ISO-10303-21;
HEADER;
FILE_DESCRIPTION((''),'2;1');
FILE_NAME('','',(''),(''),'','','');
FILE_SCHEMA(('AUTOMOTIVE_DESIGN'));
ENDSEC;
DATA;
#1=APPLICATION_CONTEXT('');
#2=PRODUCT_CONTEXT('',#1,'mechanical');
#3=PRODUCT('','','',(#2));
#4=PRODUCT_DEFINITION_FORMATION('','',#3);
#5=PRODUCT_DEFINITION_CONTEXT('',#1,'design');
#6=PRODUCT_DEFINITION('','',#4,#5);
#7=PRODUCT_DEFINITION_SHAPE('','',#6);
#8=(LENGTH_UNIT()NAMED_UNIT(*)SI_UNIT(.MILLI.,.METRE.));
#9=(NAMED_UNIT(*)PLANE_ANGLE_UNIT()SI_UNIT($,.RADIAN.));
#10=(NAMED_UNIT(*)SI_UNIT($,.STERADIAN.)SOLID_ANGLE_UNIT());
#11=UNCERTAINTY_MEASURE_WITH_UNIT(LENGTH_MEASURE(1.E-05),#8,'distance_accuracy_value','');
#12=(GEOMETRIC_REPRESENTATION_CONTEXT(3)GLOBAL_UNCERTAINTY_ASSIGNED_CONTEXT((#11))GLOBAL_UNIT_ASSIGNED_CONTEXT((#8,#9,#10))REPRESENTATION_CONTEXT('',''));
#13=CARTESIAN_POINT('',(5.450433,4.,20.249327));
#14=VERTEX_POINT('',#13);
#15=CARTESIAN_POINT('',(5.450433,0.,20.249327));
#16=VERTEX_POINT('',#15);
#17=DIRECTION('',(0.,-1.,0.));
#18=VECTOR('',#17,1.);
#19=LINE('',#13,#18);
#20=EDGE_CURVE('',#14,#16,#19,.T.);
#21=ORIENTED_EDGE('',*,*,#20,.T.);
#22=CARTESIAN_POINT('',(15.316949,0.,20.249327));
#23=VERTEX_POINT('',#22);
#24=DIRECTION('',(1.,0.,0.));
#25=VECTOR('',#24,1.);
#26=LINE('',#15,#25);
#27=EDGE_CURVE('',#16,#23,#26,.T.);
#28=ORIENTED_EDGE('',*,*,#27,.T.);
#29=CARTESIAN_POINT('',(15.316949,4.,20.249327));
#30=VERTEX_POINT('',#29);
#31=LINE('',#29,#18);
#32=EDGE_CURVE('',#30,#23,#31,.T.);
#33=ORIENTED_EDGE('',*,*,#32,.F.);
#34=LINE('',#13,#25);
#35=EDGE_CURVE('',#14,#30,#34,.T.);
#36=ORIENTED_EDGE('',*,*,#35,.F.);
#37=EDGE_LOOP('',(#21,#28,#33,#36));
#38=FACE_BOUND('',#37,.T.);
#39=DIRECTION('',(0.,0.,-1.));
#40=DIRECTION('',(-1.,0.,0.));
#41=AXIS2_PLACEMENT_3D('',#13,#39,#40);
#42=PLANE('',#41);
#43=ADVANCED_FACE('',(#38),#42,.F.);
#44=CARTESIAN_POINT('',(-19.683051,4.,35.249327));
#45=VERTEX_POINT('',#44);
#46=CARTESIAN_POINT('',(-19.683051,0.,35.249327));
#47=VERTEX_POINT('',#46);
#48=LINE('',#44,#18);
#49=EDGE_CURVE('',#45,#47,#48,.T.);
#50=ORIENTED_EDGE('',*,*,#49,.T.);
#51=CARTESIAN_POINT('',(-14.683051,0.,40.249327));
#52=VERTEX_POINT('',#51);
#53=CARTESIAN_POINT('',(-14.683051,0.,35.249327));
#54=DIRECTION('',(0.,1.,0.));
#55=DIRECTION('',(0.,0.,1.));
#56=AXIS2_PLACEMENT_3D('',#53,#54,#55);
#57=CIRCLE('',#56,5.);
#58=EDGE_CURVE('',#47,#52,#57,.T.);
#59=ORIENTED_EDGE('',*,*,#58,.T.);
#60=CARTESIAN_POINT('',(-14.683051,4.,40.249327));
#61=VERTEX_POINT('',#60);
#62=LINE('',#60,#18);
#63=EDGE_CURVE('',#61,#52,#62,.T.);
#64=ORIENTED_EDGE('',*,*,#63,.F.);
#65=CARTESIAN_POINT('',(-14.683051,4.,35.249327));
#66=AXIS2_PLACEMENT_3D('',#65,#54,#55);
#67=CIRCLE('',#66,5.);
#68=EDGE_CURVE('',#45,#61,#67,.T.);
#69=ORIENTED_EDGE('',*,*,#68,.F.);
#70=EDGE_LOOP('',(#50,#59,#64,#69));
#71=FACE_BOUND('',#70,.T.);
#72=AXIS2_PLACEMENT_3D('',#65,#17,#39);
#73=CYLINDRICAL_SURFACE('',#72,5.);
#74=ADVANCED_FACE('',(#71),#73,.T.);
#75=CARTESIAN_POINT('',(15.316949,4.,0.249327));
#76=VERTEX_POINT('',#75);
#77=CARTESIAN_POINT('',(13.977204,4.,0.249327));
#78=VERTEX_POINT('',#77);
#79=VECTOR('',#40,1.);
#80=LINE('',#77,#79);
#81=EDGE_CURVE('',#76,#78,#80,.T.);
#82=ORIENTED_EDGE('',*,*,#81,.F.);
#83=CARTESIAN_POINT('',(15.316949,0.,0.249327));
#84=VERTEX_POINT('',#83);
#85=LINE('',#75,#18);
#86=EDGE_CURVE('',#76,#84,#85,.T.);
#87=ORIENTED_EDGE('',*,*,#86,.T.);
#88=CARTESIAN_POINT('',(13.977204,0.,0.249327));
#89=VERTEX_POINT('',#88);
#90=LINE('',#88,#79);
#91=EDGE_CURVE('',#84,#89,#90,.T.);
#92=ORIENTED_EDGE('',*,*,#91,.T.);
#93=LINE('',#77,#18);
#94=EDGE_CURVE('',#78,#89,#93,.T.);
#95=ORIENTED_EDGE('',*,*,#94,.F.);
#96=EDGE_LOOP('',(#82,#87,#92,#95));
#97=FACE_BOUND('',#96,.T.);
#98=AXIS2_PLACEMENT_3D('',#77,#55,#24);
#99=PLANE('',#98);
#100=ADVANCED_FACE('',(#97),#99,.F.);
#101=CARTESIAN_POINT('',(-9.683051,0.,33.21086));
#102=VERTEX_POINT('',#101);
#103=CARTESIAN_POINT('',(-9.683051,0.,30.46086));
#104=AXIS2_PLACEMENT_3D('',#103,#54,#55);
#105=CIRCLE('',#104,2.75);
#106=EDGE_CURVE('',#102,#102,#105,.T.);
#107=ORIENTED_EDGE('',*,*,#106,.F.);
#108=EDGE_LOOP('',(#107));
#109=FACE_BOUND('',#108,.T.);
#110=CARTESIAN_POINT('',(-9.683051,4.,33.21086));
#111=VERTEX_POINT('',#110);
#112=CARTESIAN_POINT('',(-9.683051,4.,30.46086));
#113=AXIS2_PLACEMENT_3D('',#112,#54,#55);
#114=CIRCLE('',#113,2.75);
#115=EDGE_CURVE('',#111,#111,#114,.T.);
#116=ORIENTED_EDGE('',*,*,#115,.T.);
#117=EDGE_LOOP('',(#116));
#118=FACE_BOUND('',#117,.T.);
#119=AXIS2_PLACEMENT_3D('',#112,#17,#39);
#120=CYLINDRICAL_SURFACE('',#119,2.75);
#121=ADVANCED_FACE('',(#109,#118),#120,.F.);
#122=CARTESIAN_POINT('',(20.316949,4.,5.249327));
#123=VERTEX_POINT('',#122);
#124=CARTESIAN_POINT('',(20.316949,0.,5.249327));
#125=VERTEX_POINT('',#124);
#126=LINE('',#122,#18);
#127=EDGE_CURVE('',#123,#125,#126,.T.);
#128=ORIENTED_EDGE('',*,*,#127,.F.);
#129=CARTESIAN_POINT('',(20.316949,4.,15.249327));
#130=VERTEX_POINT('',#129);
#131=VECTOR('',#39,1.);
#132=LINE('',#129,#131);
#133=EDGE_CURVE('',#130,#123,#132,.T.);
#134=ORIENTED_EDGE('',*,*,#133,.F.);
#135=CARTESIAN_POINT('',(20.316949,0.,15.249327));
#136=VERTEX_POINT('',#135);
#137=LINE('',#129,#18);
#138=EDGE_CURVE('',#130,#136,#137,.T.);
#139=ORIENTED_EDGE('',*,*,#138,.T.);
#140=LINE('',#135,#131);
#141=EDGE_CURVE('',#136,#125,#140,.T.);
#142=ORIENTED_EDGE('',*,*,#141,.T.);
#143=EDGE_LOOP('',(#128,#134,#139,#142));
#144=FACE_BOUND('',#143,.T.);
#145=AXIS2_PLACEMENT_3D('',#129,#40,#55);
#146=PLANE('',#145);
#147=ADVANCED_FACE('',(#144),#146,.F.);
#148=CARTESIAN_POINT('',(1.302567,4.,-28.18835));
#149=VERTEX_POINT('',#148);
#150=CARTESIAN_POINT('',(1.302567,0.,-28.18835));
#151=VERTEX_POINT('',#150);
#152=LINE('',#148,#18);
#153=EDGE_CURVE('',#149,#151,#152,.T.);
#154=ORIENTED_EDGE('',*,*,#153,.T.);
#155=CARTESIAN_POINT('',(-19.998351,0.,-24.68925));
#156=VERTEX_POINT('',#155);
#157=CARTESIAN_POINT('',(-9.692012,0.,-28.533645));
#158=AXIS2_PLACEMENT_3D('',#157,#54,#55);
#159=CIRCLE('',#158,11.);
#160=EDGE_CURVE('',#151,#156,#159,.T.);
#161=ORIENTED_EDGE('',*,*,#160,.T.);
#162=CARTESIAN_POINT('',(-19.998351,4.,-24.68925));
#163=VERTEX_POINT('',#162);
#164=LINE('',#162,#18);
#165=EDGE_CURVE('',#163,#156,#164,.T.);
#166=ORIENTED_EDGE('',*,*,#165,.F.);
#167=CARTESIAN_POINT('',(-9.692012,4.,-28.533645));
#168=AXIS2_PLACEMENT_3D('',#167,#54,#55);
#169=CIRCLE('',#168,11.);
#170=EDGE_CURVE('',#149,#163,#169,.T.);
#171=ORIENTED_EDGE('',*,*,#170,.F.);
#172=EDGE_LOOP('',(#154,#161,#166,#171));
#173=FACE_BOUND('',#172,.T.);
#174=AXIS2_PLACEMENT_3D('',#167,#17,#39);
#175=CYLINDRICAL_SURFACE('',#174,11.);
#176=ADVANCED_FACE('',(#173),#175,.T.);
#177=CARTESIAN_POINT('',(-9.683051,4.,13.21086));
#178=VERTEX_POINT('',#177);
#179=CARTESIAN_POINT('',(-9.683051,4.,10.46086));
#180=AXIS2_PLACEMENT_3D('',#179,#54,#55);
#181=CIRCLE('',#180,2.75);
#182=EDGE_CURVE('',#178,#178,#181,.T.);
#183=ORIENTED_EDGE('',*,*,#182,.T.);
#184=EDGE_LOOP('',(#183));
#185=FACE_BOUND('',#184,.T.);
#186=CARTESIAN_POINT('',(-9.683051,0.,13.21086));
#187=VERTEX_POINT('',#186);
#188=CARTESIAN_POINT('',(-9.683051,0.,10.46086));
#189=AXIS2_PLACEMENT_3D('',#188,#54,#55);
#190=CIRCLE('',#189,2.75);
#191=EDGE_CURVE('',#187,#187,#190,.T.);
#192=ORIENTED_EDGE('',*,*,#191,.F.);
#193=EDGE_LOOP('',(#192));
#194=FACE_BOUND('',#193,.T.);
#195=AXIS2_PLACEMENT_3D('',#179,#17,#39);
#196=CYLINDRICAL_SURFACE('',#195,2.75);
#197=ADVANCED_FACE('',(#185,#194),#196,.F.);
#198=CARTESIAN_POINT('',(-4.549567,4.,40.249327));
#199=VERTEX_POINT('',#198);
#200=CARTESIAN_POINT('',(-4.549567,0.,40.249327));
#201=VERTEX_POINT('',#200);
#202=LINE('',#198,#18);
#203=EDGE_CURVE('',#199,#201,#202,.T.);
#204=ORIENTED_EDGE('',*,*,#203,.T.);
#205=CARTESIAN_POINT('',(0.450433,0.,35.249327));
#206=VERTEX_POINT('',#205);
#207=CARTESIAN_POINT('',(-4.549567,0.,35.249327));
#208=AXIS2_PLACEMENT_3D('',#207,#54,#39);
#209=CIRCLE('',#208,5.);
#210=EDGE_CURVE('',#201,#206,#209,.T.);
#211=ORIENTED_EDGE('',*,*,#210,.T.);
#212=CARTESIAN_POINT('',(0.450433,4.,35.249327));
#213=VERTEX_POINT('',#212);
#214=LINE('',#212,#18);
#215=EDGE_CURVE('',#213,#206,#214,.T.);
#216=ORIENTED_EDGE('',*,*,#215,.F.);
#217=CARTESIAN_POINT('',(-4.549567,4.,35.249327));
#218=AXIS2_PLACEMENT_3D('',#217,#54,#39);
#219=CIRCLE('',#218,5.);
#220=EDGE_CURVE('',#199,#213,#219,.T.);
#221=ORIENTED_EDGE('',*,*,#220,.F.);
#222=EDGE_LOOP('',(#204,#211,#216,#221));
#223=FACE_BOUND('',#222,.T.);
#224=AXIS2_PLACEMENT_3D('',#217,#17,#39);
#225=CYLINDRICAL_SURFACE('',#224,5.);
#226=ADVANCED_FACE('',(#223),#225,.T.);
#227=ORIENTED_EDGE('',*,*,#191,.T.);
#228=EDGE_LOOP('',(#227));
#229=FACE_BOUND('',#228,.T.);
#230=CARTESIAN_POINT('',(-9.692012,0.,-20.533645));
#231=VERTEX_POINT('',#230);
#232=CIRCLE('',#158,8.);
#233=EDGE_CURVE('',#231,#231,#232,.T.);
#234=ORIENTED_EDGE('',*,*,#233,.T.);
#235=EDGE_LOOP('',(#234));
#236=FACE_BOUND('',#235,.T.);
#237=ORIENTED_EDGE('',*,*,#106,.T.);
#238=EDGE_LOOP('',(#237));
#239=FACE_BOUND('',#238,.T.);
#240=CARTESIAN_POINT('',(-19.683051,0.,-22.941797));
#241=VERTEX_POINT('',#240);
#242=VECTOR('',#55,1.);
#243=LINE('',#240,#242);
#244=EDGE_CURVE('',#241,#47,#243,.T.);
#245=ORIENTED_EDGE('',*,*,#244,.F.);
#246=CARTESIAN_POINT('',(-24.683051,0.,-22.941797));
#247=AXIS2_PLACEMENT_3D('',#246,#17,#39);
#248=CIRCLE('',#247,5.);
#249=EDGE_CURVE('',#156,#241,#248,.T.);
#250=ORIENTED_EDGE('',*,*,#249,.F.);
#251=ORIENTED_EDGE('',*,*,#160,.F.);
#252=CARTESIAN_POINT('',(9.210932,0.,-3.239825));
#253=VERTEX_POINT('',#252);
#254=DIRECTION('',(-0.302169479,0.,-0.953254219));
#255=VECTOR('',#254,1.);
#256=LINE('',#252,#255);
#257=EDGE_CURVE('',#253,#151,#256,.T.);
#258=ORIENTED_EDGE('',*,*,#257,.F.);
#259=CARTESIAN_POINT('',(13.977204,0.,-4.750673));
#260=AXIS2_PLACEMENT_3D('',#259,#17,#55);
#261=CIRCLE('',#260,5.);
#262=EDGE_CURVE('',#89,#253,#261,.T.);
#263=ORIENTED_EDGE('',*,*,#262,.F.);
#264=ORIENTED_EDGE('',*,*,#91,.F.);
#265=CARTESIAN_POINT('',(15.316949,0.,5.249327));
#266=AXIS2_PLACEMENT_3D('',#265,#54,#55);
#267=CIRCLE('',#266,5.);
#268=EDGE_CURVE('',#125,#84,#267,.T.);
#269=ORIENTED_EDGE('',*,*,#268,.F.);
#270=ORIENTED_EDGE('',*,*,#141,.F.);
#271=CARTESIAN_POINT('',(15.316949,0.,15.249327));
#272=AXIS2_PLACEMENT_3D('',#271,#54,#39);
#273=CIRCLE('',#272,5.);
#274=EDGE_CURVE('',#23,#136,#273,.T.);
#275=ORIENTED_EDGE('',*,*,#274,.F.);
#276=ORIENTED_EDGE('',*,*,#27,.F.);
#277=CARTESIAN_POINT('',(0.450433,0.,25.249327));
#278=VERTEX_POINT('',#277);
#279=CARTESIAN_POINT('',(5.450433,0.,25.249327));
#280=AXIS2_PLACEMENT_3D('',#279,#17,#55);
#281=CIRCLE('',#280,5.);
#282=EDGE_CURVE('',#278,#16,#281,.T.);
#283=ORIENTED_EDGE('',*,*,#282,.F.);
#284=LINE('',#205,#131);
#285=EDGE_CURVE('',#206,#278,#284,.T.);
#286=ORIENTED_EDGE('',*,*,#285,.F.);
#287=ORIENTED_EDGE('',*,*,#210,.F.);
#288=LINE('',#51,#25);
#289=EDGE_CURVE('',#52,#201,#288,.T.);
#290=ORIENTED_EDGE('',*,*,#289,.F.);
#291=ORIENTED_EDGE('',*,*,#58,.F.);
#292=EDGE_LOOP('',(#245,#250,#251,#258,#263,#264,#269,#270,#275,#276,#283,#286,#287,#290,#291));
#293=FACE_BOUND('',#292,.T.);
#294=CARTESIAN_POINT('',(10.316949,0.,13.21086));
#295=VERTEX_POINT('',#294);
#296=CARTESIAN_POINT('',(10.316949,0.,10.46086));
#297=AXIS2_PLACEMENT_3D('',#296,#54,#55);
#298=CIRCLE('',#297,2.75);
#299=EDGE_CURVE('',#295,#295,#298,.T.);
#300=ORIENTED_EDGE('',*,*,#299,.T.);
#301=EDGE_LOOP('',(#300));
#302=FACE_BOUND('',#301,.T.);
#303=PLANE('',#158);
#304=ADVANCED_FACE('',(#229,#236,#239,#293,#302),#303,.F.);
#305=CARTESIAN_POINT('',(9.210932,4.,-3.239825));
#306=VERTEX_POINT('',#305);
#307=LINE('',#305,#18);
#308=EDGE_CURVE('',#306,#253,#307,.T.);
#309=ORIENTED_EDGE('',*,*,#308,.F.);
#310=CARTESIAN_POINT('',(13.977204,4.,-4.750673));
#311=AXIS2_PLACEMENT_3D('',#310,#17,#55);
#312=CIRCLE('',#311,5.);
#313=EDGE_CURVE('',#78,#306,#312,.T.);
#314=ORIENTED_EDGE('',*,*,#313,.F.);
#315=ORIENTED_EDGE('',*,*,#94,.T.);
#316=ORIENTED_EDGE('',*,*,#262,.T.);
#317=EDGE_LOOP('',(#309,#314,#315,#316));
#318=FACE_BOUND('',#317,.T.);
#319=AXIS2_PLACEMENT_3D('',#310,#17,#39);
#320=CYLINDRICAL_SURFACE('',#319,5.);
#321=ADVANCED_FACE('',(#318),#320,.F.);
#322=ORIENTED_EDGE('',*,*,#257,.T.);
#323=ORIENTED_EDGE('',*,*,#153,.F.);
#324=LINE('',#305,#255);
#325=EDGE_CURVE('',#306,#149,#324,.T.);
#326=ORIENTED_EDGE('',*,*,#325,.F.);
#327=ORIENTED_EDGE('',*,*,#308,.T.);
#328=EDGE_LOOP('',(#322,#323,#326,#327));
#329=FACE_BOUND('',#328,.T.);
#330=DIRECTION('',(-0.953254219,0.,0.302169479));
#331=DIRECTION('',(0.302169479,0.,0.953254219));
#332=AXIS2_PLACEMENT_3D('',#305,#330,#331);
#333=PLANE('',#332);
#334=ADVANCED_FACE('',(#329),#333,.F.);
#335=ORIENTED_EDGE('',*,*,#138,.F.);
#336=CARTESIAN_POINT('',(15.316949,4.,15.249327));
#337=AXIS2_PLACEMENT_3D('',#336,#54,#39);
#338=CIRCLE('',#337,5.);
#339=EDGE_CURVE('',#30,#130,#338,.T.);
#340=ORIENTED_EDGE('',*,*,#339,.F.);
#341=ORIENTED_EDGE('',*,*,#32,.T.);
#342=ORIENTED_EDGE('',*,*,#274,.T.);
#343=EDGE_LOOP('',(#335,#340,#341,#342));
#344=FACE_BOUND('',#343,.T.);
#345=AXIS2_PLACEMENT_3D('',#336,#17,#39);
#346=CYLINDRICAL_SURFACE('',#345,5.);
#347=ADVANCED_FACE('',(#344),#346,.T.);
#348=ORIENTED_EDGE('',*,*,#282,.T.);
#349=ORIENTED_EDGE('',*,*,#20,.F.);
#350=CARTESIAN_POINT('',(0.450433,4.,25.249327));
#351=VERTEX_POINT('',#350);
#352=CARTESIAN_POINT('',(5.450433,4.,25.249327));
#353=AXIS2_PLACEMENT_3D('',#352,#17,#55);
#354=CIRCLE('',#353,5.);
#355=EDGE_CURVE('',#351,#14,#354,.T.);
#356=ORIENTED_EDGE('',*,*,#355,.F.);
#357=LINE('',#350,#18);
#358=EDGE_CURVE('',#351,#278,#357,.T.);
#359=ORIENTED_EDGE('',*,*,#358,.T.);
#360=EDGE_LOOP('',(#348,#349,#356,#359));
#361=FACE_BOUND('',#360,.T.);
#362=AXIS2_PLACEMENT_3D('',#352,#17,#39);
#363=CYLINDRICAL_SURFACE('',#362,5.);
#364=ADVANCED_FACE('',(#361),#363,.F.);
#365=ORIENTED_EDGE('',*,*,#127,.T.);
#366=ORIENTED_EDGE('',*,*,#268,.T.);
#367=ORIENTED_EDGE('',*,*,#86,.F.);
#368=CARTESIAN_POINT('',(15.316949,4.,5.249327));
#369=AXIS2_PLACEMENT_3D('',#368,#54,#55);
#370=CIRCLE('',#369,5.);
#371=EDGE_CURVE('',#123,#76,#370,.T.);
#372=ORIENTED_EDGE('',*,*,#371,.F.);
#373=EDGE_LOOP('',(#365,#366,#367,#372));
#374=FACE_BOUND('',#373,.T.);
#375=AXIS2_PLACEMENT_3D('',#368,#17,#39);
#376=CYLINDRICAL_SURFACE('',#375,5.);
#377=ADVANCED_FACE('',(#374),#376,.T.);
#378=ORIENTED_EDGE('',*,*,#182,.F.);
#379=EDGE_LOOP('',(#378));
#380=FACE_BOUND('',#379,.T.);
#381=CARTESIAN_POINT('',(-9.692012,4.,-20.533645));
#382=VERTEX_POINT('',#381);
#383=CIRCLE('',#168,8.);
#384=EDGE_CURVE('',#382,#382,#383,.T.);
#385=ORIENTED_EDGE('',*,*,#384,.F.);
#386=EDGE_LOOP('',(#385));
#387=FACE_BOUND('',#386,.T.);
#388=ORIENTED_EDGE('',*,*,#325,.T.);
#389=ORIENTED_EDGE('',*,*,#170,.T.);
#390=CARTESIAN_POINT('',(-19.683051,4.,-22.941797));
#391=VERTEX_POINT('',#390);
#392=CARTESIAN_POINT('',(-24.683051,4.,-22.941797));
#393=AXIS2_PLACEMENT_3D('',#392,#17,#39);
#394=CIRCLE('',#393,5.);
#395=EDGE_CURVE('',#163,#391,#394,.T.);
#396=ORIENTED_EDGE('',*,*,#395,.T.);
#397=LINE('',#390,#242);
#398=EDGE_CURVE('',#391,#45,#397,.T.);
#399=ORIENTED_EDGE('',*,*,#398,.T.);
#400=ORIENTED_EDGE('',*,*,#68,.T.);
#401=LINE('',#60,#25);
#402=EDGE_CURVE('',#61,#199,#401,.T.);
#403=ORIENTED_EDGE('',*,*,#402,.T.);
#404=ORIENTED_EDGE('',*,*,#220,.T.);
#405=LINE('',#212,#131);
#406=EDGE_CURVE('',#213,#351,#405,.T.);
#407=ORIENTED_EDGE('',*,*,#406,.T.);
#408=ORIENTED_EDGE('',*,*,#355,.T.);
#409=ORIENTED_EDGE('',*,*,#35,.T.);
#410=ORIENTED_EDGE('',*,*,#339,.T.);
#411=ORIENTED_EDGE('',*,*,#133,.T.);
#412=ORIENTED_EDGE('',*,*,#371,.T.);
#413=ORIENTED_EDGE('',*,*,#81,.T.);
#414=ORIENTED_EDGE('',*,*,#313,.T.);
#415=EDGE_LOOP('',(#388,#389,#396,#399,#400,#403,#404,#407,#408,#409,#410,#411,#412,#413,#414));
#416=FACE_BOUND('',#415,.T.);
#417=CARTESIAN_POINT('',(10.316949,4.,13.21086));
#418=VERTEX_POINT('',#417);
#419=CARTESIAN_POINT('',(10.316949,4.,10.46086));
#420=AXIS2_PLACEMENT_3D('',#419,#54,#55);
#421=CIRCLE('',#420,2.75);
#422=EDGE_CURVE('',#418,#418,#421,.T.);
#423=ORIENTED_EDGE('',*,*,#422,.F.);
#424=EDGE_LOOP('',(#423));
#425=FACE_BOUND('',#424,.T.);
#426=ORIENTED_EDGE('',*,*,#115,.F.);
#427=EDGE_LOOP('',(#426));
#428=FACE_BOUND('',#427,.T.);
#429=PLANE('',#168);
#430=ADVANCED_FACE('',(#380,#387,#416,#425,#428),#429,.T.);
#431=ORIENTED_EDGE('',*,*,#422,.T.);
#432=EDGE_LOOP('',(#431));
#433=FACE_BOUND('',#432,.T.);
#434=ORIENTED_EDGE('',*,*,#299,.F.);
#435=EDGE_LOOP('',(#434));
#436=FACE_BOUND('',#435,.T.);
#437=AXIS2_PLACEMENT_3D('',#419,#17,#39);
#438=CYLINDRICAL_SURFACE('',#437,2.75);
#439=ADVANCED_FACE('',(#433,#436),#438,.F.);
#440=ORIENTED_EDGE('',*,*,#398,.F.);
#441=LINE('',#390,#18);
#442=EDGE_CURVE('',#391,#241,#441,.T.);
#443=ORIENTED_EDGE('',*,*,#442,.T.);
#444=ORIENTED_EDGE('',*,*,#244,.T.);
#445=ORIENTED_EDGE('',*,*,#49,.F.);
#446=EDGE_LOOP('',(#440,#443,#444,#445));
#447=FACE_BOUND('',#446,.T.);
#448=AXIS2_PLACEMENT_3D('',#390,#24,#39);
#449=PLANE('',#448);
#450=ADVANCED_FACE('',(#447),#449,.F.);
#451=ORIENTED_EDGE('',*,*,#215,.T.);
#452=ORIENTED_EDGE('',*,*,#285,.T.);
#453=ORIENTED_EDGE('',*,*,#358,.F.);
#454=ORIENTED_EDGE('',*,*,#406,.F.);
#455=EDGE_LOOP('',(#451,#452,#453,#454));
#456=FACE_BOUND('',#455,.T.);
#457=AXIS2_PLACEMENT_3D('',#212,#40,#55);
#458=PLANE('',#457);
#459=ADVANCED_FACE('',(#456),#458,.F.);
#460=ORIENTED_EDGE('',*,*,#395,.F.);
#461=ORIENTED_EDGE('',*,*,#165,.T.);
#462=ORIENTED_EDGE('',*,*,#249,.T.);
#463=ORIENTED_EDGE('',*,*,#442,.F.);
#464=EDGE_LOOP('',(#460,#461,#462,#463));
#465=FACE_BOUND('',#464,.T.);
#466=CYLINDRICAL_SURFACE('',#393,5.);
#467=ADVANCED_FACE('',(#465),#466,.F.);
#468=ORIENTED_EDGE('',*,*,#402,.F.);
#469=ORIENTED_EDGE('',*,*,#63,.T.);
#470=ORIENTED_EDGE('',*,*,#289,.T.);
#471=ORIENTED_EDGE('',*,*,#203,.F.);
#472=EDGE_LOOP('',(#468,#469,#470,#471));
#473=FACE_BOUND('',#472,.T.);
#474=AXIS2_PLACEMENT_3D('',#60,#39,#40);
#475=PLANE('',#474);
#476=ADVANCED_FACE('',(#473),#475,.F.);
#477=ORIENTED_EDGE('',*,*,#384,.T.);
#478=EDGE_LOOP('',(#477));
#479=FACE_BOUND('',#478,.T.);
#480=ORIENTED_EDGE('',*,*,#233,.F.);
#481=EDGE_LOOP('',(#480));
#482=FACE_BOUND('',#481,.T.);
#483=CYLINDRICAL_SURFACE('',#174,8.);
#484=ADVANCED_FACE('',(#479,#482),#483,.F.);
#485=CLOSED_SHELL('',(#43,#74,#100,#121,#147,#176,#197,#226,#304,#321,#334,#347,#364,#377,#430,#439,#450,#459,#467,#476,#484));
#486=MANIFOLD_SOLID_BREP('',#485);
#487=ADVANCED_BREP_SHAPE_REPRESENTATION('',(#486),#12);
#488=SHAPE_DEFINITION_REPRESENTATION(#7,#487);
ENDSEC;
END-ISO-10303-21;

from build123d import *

# Parameters (mm, degrees)
CROQUIS1_R              = 2.75
CROQUIS1_R_2            = 8
SALIENTE_EXTRUIR1_DEPTH = 4


with BuildPart() as part:
    # Croquis1 → Saliente-Extruir1 (new body)
    with BuildSketch(Plane(origin=(0, 0, 0), x_dir=(1, 0, 0), z_dir=(0, 1, 0))):
        with BuildLine():
            Line((-19.683050508, 22.941797025), (-19.683050508, -35.249327106))
            ThreePointArc((-19.683050508, -35.249327106), (-18.218584414, -38.784861012), (-14.683050508, -40.249327106))
            Line((-14.683050508, -40.249327106), (-4.549566926, -40.249327106))
            ThreePointArc((-4.549566926, -40.249327106), (-1.01403302, -38.784861012), (0.450433074, -35.249327106))
            Line((0.450433074, -35.249327106), (0.450433074, -25.249327106))
            ThreePointArc((0.450433074, -25.249327106), (1.914899168, -21.7137932), (5.450433074, -20.249327106))
            Line((5.450433074, -20.249327106), (15.316949492, -20.249327106))
            ThreePointArc((15.316949492, -20.249327106), (18.852483398, -18.784861012), (20.316949492, -15.249327106))
            Line((20.316949492, -15.249327106), (20.316949492, -5.249327106))
            ThreePointArc((20.316949492, -5.249327106), (18.852483398, -1.7137932), (15.316949492, -0.249327106))
            Line((15.316949492, -0.249327106), (13.97720353, -0.249327106))
            ThreePointArc((13.97720353, -0.249327106), (11.023751057, 0.716181787), (9.210932436, 3.239825498))
            Line((9.210932436, 3.239825498), (1.302567045, 28.188350052))
            ThreePointArc((1.302567045, 28.188350052), (-11.475083798, 39.388167744), (-19.998351013, 24.689249641))
            ThreePointArc((-19.998351013, 24.689249641), (-19.762506967, 23.82963218), (-19.683050508, 22.941797025))
        make_face()
        with Locations(Location((10.316949492, -10.460860181, 0), (0, 0, 270))):
            Circle(CROQUIS1_R, mode=Mode.SUBTRACT)
        with Locations(Location((-9.683050508, -10.460860181, 0), (0, 0, 270))):
            Circle(CROQUIS1_R, mode=Mode.SUBTRACT)
        with Locations(Location((-9.683050508, -30.460860181, 0), (0, 0, 270))):
            Circle(CROQUIS1_R, mode=Mode.SUBTRACT)
        with Locations(Location((-9.692012125, 28.533645396, 0), (0, 0, 270))):
            Circle(CROQUIS1_R_2, mode=Mode.SUBTRACT)
    extrude(amount=SALIENTE_EXTRUIR1_DEPTH)


solid = part.part
